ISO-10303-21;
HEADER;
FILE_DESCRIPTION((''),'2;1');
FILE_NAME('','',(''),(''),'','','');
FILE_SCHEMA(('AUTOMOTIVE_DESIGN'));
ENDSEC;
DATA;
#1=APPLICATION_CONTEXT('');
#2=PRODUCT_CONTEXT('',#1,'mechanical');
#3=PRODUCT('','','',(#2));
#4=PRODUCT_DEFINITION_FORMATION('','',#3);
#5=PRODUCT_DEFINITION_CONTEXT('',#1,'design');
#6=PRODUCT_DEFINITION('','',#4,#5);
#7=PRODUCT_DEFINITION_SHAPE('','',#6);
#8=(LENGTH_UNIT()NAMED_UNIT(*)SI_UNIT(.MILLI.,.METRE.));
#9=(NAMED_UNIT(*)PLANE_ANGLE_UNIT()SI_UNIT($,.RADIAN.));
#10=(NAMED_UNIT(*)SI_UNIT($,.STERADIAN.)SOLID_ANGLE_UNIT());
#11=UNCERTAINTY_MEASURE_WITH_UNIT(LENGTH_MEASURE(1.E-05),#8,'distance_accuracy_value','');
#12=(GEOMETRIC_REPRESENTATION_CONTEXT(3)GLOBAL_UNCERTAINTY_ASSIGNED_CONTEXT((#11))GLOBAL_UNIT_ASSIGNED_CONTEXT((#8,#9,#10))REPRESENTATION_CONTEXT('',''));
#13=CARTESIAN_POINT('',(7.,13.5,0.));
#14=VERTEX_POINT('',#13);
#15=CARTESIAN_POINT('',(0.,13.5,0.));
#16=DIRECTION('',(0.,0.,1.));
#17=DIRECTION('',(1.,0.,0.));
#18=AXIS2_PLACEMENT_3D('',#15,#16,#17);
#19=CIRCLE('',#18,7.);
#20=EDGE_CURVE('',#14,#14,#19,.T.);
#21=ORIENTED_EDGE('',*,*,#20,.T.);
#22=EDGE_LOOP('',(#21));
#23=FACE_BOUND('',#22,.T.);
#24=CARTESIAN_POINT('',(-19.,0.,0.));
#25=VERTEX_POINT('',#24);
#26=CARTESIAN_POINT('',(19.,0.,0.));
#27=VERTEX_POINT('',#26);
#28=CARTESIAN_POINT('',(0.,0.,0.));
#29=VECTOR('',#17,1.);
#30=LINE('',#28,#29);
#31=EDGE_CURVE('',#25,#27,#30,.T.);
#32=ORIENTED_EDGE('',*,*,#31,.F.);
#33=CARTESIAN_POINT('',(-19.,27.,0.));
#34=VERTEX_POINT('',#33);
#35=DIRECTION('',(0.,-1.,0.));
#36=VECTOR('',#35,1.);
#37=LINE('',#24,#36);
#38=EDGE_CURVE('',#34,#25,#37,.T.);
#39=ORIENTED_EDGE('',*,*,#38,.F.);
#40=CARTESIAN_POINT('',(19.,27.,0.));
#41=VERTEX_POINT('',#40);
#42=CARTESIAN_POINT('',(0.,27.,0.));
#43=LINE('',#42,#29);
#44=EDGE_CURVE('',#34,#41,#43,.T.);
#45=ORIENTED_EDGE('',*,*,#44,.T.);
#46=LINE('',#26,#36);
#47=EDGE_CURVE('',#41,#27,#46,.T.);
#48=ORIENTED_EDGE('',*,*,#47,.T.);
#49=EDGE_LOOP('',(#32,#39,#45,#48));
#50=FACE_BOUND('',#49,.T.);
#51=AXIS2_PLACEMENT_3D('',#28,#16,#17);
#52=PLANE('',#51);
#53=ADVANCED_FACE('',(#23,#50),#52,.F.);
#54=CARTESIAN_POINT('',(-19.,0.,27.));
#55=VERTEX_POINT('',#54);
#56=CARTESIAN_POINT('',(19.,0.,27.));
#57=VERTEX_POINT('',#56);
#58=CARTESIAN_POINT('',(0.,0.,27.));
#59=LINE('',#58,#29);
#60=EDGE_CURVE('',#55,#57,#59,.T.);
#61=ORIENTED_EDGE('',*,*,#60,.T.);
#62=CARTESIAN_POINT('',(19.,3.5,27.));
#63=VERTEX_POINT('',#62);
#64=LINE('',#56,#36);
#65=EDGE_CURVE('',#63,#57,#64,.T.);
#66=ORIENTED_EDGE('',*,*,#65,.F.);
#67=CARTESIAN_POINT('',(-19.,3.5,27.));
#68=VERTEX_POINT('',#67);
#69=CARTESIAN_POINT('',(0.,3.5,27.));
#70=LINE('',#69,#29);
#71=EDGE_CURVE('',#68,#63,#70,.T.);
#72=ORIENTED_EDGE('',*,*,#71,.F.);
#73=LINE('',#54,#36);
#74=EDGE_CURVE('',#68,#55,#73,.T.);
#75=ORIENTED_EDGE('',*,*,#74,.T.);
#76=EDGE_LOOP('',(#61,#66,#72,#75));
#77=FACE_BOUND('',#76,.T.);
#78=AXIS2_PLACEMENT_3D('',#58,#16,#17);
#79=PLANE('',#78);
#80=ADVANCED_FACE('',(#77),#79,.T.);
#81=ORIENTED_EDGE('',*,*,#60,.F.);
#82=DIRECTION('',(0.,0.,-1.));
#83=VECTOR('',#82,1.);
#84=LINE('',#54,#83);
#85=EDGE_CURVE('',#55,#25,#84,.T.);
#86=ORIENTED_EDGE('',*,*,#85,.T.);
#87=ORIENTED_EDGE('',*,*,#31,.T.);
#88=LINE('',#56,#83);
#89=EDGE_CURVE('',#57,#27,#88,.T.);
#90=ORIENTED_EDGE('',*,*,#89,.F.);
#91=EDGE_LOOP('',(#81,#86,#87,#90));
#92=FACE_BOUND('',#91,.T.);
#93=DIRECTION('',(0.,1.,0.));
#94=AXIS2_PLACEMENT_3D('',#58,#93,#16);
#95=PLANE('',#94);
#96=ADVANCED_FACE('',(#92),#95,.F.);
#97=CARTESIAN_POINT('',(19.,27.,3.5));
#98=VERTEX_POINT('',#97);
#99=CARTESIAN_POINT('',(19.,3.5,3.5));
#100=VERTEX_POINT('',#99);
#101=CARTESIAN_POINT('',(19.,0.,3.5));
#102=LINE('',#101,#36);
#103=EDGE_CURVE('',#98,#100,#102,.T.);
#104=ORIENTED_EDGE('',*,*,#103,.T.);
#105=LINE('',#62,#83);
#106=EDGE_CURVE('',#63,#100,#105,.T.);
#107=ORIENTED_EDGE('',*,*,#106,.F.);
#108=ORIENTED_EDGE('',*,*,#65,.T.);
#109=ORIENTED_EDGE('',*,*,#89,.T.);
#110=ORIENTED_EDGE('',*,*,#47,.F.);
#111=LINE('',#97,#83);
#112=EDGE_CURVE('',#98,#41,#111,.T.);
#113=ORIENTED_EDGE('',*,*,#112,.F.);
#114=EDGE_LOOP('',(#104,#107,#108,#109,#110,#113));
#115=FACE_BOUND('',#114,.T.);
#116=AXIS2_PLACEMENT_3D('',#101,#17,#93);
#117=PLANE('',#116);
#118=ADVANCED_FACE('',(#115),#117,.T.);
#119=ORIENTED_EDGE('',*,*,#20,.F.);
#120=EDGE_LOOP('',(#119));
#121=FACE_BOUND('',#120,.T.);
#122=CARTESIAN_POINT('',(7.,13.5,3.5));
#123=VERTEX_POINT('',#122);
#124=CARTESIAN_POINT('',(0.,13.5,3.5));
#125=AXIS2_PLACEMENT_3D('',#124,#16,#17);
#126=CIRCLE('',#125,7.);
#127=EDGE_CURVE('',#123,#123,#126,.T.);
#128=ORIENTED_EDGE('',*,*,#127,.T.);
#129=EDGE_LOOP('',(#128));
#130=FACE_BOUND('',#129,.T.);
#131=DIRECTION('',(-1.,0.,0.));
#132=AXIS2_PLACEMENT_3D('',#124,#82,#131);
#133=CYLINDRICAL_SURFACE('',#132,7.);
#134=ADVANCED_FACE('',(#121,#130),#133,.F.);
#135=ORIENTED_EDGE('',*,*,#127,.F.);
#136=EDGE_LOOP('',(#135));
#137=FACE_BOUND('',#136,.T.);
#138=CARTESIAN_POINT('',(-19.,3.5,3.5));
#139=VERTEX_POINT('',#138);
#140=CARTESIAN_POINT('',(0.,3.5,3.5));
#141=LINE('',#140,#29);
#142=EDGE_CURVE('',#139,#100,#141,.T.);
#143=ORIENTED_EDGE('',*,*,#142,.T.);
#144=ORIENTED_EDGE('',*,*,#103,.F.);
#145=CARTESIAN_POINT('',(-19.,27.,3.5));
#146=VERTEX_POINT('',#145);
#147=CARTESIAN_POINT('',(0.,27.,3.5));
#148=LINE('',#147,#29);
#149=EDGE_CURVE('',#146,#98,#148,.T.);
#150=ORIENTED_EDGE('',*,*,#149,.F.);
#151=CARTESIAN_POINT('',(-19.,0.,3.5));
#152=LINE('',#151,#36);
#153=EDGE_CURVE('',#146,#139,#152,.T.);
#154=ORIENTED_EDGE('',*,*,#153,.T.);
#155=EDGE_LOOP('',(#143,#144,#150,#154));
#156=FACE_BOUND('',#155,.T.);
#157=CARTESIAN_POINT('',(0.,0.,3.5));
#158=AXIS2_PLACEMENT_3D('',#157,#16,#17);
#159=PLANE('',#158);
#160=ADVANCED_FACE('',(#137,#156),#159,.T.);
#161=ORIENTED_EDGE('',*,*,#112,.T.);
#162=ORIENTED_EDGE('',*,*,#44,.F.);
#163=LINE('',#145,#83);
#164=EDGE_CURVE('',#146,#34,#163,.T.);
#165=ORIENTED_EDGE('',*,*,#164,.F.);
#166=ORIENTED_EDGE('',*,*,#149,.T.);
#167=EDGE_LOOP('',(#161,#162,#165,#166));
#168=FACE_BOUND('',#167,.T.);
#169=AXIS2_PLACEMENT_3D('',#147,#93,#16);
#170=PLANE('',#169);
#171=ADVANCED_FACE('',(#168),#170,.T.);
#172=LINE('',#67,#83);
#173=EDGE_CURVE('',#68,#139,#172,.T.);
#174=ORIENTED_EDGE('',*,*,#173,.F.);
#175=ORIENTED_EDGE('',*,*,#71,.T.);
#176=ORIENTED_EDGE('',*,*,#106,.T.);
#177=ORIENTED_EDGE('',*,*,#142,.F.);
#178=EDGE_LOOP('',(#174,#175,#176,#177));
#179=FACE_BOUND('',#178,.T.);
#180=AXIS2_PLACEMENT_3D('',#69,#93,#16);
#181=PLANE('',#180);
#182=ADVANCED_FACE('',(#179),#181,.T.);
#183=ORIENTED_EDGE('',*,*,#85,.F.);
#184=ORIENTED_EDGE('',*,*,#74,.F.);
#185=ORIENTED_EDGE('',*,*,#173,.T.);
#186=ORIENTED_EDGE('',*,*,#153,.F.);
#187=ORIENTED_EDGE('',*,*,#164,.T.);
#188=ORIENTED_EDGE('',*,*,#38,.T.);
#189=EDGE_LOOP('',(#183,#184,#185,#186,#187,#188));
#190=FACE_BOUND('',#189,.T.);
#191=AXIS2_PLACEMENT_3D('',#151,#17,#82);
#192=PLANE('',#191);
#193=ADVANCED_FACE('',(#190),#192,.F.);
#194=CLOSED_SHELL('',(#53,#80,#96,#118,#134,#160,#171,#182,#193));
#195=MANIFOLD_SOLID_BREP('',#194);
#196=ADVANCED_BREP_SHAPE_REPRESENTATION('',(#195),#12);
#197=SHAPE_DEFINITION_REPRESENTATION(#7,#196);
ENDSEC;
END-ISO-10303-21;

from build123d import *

# Parameters (mm, degrees)
ESQUISSE1_W        = 38
ESQUISSE1_H        = 23.5
ESQUISSE1_R        = 7
BOSS_EXTRU_1_DEPTH = 3.5
ESQUISSE1_4_W      = 38
ESQUISSE1_4_H      = 3.5
BOSS_EXTRU_2_DEPTH = 27


with BuildPart() as part:
    # Esquisse1 → Boss.-Extru.1 (new body)
    with BuildSketch(Plane.XY):
        with Locations((0, 15.25)):
            Rectangle(ESQUISSE1_W, ESQUISSE1_H)
        with Locations((0, 13.5)):
            Circle(ESQUISSE1_R, mode=Mode.SUBTRACT)
    extrude(amount=BOSS_EXTRU_1_DEPTH)

    # Esquisse1<4> → Boss.-Extru.2 (add)
    with BuildSketch(Plane.XY):
        with Locations((0, 1.75)):
            Rectangle(ESQUISSE1_4_W, ESQUISSE1_4_H)
    extrude(amount=BOSS_EXTRU_2_DEPTH)


solid = part.part
